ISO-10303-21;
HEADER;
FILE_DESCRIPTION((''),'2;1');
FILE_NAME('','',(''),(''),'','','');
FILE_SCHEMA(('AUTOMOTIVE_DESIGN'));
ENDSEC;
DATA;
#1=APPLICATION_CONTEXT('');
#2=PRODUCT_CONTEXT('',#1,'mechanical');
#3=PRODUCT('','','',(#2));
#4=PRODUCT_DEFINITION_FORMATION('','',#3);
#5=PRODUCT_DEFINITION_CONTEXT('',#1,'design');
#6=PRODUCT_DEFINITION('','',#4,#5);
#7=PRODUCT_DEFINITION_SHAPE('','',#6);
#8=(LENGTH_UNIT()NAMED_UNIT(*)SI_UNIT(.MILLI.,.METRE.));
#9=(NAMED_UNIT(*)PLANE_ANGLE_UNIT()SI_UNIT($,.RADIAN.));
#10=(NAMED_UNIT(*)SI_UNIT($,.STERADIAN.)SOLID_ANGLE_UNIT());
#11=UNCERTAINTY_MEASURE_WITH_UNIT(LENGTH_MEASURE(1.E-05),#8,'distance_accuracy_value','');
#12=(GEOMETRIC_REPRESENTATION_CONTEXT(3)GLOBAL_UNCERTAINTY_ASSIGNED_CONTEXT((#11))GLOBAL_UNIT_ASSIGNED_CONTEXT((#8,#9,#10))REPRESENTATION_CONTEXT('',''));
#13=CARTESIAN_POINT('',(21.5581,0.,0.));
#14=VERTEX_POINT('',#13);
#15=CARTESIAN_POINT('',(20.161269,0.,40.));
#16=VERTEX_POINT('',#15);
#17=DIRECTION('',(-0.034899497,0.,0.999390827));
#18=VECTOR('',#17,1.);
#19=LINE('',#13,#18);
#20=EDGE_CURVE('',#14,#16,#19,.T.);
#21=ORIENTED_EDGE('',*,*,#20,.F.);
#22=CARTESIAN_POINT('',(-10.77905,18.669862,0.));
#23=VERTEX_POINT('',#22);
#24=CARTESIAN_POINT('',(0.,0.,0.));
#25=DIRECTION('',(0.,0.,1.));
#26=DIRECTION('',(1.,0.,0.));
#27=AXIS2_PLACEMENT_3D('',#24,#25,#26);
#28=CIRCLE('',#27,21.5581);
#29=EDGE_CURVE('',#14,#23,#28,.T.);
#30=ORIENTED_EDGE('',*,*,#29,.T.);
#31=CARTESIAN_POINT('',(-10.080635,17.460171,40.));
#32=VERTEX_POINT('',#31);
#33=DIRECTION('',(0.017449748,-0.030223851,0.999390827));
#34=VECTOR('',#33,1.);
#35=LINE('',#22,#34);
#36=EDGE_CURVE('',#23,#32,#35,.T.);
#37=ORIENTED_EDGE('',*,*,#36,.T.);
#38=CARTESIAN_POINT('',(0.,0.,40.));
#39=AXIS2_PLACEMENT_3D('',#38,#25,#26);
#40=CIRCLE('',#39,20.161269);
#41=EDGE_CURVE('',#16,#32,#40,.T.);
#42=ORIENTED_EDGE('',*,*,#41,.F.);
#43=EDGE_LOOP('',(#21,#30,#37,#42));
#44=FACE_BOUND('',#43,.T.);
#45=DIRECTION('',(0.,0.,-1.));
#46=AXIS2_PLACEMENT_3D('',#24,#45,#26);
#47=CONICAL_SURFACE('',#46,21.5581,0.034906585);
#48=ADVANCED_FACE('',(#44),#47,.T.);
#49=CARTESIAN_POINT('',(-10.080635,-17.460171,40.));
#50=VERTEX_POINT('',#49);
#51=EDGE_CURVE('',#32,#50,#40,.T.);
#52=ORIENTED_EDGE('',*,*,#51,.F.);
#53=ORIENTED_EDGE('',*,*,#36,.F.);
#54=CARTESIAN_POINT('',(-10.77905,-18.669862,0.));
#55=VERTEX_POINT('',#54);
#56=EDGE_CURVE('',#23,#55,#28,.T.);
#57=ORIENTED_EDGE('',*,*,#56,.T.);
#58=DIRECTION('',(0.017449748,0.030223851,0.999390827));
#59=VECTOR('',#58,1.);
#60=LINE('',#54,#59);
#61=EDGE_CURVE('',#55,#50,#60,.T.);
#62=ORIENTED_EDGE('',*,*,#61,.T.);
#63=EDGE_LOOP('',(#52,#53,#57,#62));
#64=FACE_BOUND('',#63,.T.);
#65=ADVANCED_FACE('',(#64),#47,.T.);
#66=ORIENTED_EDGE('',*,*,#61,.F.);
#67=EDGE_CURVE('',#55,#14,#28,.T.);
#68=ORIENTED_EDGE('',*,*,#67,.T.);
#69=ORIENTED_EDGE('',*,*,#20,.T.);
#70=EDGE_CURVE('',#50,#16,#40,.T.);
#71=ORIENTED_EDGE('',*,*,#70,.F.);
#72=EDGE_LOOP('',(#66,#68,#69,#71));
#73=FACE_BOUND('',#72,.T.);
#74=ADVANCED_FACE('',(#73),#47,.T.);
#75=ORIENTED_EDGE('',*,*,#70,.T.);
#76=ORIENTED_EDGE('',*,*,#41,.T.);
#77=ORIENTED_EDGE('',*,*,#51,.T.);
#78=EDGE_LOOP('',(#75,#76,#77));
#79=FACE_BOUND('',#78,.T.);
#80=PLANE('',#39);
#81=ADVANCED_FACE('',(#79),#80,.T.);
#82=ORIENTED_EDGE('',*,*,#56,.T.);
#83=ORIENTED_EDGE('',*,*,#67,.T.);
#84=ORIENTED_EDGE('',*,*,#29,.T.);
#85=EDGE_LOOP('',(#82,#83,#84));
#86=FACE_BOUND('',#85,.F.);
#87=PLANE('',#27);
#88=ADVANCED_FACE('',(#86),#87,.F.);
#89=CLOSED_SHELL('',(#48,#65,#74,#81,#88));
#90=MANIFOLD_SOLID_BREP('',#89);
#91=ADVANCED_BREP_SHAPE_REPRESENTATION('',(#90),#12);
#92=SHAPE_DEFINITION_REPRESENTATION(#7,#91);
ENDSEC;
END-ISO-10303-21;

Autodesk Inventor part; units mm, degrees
ref_plane "YZ Plane" through (0, 0, 0) normal (1, 0, 0) x (0, 1, 0)
ref_plane "XZ Plane" through (0, 0, 0) normal (0, 1, 0) x (-1, 0, 0)
ref_plane "XY Plane" through (0, 0, 0) normal (0, 0, 1) x (1, 0, 0)
ref_plane "Work Plane1" through (0, 0, 0) normal (0, 0, 1) x (1, 0, 0)
sketch "Sketch1" plane through (0, 0, 0) normal (0, 0, 1) x (1, 0, 0)
  circle A0 centre (0, 0) radius 21.5581 projected
  point P0 (0, 0)
extrude "Extrusion1" add sketch "Sketch1" along normal blind 40 draft -2
properties part number "00_Axiovert_Wheel"
